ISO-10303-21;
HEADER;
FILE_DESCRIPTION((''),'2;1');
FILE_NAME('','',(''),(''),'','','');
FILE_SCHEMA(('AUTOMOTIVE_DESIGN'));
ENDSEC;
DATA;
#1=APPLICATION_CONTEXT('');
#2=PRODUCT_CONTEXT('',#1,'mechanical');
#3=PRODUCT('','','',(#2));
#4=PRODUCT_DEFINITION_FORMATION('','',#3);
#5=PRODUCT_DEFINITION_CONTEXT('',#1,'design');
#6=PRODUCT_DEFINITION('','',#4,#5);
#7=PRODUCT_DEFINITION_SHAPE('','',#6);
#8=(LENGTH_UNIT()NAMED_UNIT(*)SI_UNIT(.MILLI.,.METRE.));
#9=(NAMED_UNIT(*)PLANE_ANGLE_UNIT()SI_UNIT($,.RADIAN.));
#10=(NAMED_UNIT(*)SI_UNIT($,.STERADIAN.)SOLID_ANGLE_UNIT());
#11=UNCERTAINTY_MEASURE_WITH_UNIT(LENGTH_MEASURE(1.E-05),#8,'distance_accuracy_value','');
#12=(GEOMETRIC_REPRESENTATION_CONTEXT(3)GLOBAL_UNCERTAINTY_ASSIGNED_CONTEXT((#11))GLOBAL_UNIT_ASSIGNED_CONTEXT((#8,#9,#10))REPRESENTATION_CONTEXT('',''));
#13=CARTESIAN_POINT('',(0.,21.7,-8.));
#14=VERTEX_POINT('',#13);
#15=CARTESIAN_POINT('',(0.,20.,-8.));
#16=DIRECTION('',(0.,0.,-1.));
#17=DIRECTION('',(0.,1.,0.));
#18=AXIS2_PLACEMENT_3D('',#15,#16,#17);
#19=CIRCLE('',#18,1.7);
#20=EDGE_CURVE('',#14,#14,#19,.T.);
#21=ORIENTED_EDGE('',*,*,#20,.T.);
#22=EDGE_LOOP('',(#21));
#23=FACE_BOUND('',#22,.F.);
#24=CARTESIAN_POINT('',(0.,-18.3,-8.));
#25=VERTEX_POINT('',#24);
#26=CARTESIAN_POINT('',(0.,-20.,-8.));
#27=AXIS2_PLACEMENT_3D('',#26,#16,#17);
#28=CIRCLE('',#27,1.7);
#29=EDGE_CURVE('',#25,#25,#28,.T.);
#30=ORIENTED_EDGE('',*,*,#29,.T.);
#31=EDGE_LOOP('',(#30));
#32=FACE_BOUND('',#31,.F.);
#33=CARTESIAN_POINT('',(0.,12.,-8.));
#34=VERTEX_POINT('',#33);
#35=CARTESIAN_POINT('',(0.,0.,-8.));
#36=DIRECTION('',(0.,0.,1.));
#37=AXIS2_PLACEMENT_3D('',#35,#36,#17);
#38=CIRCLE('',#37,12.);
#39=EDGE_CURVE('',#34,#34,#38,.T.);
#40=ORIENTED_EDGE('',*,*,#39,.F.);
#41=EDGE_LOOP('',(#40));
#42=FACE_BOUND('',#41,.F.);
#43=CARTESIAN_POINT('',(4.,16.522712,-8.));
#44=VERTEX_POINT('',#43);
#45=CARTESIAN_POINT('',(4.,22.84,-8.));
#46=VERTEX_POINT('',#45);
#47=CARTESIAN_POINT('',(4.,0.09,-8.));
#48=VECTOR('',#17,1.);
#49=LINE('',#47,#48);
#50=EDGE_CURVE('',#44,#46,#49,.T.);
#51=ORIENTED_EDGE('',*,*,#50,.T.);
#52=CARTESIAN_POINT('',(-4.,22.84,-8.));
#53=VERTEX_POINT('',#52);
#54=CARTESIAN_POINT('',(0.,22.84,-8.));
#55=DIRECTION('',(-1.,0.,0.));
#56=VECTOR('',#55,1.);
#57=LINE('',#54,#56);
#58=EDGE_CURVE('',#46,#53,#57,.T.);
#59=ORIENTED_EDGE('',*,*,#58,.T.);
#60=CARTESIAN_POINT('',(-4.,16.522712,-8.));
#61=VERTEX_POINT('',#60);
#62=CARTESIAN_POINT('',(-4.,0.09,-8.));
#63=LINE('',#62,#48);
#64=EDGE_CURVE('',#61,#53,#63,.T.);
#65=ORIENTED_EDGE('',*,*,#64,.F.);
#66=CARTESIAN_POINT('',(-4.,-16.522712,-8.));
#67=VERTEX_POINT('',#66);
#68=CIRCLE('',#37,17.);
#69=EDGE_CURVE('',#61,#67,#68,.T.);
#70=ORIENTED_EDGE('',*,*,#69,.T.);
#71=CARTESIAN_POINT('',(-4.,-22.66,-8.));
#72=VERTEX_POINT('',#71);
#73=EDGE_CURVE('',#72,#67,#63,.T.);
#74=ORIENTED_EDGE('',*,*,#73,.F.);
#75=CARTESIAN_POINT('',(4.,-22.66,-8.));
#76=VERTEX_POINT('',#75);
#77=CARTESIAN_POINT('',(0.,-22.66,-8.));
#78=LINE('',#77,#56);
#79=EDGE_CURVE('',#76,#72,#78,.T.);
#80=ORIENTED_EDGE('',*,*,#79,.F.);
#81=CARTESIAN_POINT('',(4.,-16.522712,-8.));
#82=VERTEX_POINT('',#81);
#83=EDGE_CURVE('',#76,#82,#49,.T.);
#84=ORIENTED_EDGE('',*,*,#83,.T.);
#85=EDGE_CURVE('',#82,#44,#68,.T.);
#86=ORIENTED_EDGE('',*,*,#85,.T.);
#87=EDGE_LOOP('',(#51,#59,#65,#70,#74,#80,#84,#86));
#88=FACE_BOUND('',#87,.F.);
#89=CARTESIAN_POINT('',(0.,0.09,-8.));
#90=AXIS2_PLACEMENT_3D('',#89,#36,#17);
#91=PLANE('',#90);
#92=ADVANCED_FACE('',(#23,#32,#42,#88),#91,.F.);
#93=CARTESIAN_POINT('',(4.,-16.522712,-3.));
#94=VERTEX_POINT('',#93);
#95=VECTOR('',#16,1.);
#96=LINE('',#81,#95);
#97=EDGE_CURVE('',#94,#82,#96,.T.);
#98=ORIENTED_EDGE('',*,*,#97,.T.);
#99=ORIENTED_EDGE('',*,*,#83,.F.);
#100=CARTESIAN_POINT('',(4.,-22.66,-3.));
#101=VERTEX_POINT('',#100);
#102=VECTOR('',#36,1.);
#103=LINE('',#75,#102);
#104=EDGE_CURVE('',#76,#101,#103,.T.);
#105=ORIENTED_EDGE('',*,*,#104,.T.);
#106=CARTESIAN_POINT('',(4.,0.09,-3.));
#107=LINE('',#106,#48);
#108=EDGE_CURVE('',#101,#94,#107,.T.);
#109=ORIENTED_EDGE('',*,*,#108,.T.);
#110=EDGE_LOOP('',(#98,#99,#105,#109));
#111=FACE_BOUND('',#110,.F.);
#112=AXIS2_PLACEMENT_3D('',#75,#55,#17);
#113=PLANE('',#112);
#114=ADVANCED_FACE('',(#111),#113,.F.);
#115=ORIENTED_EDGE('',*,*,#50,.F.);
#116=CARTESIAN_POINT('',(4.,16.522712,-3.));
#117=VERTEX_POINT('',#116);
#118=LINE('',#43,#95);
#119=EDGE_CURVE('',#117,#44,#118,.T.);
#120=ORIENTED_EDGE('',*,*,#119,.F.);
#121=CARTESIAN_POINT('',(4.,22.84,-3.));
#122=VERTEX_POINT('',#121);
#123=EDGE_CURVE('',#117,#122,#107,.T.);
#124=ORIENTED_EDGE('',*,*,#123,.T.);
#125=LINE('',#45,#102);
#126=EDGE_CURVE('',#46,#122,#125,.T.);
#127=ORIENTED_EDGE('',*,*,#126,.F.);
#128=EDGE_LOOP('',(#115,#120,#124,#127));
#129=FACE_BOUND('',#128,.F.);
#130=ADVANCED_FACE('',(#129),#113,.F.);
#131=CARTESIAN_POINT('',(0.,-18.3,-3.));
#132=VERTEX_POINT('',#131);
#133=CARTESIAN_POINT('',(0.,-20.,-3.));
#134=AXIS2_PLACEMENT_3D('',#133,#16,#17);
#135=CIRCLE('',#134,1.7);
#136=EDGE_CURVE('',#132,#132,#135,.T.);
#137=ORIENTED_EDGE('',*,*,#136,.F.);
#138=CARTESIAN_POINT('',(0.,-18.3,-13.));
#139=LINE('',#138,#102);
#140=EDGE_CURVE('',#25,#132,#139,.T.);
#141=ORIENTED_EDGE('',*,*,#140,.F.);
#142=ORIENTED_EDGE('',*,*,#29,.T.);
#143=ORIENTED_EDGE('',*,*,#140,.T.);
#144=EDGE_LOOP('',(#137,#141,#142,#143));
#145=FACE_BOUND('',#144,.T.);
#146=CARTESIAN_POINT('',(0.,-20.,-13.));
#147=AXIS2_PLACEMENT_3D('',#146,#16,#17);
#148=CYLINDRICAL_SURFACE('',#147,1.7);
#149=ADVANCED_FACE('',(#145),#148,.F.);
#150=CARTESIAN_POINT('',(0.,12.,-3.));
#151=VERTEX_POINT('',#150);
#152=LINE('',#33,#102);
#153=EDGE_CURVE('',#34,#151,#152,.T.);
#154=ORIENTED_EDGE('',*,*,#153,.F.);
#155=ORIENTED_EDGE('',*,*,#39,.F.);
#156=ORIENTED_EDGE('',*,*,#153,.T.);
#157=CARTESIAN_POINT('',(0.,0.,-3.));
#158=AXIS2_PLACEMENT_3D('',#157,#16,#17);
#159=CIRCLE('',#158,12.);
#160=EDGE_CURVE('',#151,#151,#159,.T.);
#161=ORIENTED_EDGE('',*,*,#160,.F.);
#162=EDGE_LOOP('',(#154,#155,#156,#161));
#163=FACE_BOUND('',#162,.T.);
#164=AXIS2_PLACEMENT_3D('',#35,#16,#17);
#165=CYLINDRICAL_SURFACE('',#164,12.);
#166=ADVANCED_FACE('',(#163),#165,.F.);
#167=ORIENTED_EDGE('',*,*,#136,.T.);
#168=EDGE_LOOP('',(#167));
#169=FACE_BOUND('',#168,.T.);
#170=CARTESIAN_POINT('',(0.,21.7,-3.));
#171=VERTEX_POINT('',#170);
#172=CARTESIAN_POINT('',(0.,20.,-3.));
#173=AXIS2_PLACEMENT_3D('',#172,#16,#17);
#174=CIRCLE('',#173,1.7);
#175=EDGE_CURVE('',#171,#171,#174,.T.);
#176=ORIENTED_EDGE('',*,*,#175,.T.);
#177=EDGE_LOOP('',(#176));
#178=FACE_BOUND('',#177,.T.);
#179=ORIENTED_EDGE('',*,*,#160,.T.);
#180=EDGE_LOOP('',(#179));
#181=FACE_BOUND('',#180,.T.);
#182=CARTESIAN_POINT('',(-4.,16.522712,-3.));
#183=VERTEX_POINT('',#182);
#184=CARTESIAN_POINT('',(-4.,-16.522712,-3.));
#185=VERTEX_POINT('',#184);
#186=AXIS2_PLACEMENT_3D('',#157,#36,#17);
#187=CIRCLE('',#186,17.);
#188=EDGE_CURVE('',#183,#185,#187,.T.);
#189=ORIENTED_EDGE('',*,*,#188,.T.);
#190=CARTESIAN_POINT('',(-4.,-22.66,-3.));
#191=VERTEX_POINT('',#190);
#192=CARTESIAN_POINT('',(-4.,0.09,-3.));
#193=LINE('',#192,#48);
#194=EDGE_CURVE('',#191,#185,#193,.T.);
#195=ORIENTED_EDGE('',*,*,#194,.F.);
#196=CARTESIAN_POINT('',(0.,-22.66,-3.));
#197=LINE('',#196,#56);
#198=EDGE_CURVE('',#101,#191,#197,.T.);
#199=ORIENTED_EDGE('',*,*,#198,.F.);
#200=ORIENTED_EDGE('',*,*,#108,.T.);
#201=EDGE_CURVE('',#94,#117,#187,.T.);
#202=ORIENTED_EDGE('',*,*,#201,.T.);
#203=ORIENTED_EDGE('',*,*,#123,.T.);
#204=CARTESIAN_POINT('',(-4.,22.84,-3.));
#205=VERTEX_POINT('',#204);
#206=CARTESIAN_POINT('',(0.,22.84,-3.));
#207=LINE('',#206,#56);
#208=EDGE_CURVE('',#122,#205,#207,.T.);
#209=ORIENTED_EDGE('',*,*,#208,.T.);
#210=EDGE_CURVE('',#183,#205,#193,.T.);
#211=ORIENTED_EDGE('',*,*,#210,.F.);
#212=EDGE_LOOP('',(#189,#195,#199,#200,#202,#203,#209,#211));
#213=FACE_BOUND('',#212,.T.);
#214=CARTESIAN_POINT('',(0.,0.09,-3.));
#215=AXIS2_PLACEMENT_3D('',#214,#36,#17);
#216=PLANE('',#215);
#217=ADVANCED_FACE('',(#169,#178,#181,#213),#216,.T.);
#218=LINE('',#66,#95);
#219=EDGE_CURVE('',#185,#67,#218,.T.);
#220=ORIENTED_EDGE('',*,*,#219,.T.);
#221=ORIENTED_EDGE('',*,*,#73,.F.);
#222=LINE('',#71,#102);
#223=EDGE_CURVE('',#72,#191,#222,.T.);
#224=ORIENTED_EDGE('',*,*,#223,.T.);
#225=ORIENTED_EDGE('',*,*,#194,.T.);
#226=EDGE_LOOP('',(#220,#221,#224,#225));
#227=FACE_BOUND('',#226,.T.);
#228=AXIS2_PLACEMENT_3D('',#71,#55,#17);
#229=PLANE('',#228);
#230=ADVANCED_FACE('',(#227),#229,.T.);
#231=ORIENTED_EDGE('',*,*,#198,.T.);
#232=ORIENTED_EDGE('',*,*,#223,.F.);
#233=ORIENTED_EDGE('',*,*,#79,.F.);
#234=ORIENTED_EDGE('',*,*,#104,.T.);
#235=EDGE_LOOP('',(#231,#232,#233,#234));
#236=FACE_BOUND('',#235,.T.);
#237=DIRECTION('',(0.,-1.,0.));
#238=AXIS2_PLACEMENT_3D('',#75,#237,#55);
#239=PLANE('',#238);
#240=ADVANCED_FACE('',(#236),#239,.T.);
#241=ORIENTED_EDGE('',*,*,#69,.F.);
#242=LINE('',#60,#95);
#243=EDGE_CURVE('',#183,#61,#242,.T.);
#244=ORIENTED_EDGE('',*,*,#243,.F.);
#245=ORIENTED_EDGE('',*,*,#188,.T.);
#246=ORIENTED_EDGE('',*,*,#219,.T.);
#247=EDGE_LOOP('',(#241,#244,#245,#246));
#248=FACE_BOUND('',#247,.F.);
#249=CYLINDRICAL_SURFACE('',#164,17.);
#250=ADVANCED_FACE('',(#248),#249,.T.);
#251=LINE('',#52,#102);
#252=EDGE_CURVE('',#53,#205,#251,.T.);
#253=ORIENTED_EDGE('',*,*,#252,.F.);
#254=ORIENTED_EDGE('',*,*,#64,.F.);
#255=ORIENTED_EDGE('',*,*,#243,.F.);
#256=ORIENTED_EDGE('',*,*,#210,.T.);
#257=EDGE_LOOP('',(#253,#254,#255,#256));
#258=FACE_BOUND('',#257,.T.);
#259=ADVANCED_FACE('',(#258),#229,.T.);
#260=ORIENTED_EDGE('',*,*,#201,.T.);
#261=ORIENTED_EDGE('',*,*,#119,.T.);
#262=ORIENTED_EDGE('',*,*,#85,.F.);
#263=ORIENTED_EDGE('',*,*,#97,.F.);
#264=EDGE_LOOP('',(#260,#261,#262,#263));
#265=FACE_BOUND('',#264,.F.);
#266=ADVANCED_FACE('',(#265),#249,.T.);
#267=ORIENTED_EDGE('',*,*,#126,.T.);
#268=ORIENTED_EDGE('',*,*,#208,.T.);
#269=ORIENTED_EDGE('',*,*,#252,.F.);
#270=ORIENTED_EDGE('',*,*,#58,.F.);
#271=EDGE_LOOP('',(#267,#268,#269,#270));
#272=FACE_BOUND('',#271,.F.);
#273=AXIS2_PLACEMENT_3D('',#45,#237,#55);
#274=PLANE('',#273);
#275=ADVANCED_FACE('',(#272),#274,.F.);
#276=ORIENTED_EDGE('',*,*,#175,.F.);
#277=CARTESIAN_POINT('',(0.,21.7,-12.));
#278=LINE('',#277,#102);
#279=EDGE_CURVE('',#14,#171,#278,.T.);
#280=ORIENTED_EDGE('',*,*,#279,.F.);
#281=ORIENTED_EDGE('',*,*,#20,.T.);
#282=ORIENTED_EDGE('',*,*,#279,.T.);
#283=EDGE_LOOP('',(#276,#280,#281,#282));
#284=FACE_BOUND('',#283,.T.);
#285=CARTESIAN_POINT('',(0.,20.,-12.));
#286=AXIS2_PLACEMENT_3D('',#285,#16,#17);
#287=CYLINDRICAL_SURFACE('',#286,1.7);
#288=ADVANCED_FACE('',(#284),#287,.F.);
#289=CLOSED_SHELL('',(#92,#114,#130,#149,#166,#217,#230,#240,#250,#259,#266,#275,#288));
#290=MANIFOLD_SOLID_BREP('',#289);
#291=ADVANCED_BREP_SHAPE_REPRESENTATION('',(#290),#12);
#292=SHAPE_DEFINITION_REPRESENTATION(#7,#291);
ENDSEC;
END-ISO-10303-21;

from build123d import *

# Parameters (mm, degrees)
CYLINDER_R          = 2
CYLINDER_DEPTH      = 10
CYLINDER098_R       = 1.7
CYLINDER098_DEPTH   = 14
CYLINDER097_R       = 12
CYLINDER097_DEPTH   = 33
CYLINDER099_R       = 1.7
CYLINDER099_DEPTH   = 14
BOX017_W            = 45.5
BOX017_H            = 8
BOX017_DEPTH        = 5
CYLINDER096_R       = 17
CYLINDER096_DEPTH   = 5
CUT_PLACEMENT_ANGLE = 90


with BuildPart() as cylinder:
    # Cylinder → Cylinder (new body)
    with BuildSketch(Plane(origin=(0, 57, 0), x_dir=(1, 0, 0), z_dir=(0, 0, 1))):
        Circle(CYLINDER_R)
    extrude(amount=CYLINDER_DEPTH)


with BuildPart() as ftinsmount003:
    # Cylinder098 → Cylinder098 (new body)
    with BuildSketch(Plane(origin=(53.66, 148, -15), x_dir=(1, 0, 0), z_dir=(0, 0, 1))):
        Circle(CYLINDER098_R)
    extrude(amount=CYLINDER098_DEPTH)


with BuildPart() as ftinsinnerhole002:
    # Cylinder097 → Cylinder097 (new body)
    with BuildSketch(Plane(origin=(73.66, 148, -10), x_dir=(1, 0, 0), z_dir=(0, 0, 1))):
        Circle(CYLINDER097_R)
    extrude(amount=CYLINDER097_DEPTH)


with BuildPart() as fusion041:
    # Cylinder099 → Cylinder099 (new body)
    with BuildSketch(Plane(origin=(93.66, 148, -14), x_dir=(1, 0, 0), z_dir=(0, 0, 1))):
        Circle(CYLINDER099_R)
    extrude(amount=CYLINDER099_DEPTH)

    # Fusion041: union FTInsMount003, FTInsInnerHole002
    add(ftinsmount003.part)
    add(ftinsinnerhole002.part)


with BuildPart() as ftinslug001:
    # Box017 → Box017 (new body)
    with BuildSketch(Plane(origin=(51, 144, -10), x_dir=(1, 0, 0), z_dir=(0, 0, 1))):
        with Locations((22.75, 4)):
            Rectangle(BOX017_W, BOX017_H)
    extrude(amount=BOX017_DEPTH)


with BuildPart() as cut:
    # Cylinder096 → Cylinder096 (new body)
    with BuildSketch(Plane(origin=(73.66, 148, -10), x_dir=(1, 0, 0), z_dir=(0, 0, 1))):
        Circle(CYLINDER096_R)
    extrude(amount=CYLINDER096_DEPTH)

    # Fusion042: union FTInsLug001
    add(ftinslug001.part)

    # Cut011: cut Fusion041
    add(fusion041.part, mode=Mode.SUBTRACT)


with BuildPart() as cut_1:
    # Cut011 placement: moved
    add(cut.part.moved(Location((-73.66, -148, 2))))

    # Cut: cut Cylinder
    add(cylinder.part, mode=Mode.SUBTRACT)


with BuildPart() as cut_2:
    # Cut placement: moved
    add(cut_1.part.rotate(Axis((0, 0, 0), (0, 0, 1)), CUT_PLACEMENT_ANGLE))


solid = cut_2.part
